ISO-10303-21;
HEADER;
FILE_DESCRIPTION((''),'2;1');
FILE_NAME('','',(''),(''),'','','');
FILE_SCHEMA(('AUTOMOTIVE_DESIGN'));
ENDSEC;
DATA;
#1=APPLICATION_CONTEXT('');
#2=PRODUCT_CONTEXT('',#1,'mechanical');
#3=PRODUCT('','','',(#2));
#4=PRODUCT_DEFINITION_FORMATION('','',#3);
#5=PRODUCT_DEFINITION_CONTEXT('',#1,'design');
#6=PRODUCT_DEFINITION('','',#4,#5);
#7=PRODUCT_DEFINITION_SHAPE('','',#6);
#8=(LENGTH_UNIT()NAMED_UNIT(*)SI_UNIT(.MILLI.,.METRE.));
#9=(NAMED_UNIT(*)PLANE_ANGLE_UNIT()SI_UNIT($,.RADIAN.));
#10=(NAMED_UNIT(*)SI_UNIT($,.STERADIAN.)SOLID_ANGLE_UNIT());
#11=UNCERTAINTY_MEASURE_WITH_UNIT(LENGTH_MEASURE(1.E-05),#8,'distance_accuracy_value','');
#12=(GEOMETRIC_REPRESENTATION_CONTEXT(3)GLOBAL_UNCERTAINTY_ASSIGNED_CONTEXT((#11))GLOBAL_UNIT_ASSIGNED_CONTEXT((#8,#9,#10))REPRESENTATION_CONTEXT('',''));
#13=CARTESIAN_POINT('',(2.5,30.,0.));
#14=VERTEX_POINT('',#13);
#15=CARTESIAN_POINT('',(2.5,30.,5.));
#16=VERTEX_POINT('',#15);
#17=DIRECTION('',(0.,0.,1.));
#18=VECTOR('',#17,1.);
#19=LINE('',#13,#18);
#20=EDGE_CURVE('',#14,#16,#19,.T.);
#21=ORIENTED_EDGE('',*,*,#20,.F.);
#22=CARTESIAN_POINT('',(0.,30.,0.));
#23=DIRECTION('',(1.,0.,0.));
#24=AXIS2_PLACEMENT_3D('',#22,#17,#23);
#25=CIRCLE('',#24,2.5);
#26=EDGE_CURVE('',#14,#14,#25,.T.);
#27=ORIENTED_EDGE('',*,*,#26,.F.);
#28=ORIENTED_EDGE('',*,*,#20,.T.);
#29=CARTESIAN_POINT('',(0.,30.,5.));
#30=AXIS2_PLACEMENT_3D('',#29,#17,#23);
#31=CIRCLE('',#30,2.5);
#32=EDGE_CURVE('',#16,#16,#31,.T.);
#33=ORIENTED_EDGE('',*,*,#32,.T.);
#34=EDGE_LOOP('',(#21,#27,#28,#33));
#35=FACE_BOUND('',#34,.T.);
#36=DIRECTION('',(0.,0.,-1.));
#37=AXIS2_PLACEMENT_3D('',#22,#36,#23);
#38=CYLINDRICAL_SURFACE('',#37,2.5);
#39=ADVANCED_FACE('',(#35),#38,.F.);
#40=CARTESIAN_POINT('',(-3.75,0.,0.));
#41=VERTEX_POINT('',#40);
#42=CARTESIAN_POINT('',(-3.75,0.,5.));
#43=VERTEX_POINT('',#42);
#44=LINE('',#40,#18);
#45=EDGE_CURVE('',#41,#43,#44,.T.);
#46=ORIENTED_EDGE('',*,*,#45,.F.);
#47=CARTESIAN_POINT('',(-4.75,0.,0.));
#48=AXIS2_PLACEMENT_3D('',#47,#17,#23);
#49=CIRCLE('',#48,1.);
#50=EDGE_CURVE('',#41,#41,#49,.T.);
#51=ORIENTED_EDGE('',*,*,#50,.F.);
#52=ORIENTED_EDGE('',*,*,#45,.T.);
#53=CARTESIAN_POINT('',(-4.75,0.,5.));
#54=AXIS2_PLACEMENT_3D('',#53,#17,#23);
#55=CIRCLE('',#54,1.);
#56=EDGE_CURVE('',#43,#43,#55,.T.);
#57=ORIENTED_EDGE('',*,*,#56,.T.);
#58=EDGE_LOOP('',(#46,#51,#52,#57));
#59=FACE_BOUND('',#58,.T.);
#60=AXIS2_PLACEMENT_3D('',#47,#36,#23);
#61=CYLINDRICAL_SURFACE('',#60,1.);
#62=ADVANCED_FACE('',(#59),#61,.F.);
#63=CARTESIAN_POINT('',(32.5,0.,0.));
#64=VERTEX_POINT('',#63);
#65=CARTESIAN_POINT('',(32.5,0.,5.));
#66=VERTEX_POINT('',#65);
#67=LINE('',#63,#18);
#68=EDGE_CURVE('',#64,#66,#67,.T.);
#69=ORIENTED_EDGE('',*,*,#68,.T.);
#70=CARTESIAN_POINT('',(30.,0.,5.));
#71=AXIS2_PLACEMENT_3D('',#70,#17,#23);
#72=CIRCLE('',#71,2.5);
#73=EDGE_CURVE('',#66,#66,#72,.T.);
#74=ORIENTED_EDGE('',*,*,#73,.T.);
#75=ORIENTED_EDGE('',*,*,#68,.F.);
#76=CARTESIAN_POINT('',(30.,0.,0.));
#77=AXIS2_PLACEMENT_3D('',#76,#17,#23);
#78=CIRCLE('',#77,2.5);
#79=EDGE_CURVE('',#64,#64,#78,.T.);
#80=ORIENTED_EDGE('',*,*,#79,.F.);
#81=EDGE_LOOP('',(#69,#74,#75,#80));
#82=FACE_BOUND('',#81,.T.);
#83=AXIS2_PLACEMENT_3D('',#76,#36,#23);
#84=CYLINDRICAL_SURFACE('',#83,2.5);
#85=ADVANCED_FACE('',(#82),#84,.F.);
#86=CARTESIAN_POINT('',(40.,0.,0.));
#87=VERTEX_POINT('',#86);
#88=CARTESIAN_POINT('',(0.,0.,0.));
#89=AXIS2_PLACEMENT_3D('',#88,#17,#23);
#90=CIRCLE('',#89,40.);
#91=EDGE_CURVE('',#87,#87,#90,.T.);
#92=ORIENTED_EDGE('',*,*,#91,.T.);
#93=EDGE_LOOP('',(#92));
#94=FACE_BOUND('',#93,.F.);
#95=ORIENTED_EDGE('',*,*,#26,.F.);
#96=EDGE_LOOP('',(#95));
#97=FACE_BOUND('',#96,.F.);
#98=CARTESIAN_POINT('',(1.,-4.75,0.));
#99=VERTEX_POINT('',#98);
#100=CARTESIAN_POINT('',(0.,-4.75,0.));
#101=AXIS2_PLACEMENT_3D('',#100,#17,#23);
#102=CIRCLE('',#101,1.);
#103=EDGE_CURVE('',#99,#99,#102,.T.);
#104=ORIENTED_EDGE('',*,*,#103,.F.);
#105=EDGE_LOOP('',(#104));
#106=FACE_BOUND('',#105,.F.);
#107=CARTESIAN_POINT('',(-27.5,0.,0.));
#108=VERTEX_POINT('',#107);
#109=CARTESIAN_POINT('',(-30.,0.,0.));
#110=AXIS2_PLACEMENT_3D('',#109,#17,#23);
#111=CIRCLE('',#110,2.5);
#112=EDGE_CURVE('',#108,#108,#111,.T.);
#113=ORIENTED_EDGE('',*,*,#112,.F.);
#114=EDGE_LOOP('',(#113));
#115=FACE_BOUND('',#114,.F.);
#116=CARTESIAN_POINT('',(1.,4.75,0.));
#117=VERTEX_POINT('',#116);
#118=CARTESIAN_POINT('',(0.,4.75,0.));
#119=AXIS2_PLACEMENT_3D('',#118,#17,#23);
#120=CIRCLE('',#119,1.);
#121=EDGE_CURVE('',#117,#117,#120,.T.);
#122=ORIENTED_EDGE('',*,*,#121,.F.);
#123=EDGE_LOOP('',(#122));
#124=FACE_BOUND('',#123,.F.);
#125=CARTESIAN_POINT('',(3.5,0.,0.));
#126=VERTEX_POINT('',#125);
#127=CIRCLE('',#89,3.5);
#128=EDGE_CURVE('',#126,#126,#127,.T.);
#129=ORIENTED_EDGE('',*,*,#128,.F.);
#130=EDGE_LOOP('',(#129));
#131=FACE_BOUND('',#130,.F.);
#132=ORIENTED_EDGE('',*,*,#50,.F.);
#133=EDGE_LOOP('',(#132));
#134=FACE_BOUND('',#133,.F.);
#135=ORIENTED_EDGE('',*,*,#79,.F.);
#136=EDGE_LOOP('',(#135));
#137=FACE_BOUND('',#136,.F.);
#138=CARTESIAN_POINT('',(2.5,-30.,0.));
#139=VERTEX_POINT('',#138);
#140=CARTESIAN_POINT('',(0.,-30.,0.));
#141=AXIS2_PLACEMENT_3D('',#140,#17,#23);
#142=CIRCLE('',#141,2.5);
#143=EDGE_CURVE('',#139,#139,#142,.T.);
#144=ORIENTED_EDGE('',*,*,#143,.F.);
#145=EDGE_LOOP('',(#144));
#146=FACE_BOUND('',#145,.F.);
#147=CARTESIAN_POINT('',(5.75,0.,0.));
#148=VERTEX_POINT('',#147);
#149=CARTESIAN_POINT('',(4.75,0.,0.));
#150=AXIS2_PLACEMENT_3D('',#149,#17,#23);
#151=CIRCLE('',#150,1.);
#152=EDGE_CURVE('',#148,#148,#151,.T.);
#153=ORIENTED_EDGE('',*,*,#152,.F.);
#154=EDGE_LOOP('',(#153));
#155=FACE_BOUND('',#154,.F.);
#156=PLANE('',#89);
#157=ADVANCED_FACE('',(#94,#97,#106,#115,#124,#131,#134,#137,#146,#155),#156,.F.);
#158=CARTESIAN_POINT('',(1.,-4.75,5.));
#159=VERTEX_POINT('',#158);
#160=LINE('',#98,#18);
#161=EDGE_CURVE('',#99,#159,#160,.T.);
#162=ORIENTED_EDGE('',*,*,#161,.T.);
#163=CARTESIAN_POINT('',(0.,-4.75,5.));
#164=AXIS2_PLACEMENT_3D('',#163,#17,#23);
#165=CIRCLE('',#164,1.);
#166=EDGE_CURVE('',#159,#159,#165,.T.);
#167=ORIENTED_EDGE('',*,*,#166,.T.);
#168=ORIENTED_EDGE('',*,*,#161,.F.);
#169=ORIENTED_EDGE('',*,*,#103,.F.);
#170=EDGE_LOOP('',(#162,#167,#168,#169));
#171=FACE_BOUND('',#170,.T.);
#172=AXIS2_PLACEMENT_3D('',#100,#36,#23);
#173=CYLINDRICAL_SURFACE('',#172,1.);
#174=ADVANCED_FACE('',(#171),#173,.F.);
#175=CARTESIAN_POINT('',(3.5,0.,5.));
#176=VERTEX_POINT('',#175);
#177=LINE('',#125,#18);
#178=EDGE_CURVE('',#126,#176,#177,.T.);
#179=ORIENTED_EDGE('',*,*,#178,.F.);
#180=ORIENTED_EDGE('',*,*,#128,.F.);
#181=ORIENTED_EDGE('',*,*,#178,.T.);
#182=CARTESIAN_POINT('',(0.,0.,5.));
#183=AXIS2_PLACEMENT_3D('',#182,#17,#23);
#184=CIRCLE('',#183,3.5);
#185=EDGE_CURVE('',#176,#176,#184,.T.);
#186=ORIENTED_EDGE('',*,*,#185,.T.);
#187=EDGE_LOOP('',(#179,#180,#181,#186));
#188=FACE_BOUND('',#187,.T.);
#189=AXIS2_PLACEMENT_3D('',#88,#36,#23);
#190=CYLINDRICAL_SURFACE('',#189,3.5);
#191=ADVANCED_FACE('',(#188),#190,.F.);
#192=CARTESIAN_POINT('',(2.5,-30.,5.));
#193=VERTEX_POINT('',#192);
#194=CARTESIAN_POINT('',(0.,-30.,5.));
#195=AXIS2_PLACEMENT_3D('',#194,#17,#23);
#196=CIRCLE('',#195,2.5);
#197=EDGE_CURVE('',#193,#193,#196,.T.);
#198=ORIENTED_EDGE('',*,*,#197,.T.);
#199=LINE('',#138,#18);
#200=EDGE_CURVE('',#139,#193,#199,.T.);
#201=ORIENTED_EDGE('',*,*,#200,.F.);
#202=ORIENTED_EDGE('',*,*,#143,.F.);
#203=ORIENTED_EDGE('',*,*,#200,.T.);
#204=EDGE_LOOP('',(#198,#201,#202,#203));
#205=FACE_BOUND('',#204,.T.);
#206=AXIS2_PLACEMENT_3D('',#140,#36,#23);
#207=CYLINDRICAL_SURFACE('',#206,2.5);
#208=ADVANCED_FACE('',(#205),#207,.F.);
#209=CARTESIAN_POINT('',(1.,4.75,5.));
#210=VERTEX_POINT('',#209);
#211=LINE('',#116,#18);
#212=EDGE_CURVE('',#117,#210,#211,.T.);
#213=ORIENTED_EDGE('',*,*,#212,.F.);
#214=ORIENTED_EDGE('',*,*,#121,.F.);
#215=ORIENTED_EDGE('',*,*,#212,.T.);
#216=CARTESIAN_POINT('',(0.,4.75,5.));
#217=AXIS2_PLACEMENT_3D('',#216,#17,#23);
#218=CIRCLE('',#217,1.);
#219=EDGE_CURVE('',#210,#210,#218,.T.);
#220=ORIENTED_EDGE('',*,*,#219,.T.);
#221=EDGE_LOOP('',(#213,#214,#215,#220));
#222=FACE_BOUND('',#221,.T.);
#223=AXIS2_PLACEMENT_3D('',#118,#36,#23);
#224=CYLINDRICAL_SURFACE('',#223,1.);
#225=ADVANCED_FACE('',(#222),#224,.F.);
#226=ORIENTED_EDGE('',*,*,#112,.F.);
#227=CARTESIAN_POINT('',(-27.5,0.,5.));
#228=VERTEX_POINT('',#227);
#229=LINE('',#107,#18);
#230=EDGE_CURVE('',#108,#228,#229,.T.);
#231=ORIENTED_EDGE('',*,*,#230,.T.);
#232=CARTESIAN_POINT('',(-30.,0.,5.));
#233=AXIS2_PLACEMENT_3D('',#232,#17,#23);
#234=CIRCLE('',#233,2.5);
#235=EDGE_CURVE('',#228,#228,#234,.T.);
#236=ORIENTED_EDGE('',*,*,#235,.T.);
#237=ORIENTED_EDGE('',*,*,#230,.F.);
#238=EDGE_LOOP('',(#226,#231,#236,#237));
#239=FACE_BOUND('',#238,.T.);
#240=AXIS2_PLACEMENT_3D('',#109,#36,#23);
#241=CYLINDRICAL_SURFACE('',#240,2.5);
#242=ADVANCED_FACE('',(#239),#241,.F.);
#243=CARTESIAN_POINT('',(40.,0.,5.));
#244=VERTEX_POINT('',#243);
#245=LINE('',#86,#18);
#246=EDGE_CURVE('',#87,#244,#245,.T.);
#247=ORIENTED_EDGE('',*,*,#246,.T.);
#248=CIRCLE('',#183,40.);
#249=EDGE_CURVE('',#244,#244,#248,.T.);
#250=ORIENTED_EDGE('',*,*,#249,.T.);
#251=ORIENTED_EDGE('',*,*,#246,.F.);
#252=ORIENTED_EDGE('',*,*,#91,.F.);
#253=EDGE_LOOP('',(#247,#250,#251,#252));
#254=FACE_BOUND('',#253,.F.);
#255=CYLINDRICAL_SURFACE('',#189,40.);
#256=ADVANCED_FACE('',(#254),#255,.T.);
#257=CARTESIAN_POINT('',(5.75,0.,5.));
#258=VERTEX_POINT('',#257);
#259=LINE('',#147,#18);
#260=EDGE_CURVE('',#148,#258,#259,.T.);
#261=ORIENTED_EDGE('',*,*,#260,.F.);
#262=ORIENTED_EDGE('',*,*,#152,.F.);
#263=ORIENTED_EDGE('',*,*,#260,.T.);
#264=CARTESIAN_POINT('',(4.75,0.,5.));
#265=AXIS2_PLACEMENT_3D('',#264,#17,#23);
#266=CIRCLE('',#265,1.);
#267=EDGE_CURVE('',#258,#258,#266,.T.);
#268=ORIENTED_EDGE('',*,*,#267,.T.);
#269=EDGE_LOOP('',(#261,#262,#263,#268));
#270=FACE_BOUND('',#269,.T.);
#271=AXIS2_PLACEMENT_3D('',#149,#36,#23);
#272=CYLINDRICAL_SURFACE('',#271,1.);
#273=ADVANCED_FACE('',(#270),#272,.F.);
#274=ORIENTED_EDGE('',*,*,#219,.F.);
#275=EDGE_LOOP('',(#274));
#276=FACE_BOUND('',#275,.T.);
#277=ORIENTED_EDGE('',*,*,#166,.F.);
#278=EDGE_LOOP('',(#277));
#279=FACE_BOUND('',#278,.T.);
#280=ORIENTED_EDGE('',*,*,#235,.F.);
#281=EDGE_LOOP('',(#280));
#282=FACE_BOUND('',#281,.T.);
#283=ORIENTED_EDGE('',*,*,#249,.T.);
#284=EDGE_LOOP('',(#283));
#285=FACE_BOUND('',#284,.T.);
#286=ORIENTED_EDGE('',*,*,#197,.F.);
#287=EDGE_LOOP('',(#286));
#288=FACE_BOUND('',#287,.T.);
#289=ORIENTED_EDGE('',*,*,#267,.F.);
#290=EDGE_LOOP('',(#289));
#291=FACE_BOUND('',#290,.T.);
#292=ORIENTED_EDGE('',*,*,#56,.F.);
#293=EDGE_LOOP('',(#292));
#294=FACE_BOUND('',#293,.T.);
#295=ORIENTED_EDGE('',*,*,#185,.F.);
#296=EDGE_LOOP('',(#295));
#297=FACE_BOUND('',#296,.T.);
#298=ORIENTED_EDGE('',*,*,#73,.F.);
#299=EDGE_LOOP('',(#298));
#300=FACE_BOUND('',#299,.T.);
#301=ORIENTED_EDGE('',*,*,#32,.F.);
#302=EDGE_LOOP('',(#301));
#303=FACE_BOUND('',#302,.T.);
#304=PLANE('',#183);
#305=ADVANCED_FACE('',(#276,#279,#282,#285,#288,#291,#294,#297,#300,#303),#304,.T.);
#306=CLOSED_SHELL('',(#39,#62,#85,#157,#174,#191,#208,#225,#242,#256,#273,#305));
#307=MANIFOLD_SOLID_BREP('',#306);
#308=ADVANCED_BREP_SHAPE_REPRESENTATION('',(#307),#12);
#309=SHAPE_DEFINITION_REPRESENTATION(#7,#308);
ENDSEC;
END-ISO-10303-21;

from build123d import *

# Parameters (mm, degrees)
F0_R     = 40
F0_R_2   = 2.5
F0_R_3   = 15
F0_R_4   = 1
F0_R_5   = 3.5
F1_DEPTH = 5


with BuildPart() as f1:
    # F0 (on Top) → F1 (new body)
    with BuildSketch(Plane.XY):
        Circle(F0_R)
        with Locations((0, -30)):
            Circle(F0_R_2, mode=Mode.SUBTRACT)
        with Locations((-30, 0)):
            Circle(F0_R_2, mode=Mode.SUBTRACT)
        Circle(F0_R_3, mode=Mode.SUBTRACT)
        with Locations((30, 0)):
            Circle(F0_R_2, mode=Mode.SUBTRACT)
        with Locations((0, 30)):
            Circle(F0_R_2, mode=Mode.SUBTRACT)
        Circle(F0_R_3)
        with Locations((0, -4.75)):
            Circle(F0_R_4, mode=Mode.SUBTRACT)
        with Locations((-4.75, 0)):
            Circle(F0_R_4, mode=Mode.SUBTRACT)
        Circle(F0_R_5, mode=Mode.SUBTRACT)
        with Locations((4.75, 0)):
            Circle(F0_R_4, mode=Mode.SUBTRACT)
        with Locations((0, 4.75)):
            Circle(F0_R_4, mode=Mode.SUBTRACT)
    extrude(amount=F1_DEPTH)


solid = f1.part
